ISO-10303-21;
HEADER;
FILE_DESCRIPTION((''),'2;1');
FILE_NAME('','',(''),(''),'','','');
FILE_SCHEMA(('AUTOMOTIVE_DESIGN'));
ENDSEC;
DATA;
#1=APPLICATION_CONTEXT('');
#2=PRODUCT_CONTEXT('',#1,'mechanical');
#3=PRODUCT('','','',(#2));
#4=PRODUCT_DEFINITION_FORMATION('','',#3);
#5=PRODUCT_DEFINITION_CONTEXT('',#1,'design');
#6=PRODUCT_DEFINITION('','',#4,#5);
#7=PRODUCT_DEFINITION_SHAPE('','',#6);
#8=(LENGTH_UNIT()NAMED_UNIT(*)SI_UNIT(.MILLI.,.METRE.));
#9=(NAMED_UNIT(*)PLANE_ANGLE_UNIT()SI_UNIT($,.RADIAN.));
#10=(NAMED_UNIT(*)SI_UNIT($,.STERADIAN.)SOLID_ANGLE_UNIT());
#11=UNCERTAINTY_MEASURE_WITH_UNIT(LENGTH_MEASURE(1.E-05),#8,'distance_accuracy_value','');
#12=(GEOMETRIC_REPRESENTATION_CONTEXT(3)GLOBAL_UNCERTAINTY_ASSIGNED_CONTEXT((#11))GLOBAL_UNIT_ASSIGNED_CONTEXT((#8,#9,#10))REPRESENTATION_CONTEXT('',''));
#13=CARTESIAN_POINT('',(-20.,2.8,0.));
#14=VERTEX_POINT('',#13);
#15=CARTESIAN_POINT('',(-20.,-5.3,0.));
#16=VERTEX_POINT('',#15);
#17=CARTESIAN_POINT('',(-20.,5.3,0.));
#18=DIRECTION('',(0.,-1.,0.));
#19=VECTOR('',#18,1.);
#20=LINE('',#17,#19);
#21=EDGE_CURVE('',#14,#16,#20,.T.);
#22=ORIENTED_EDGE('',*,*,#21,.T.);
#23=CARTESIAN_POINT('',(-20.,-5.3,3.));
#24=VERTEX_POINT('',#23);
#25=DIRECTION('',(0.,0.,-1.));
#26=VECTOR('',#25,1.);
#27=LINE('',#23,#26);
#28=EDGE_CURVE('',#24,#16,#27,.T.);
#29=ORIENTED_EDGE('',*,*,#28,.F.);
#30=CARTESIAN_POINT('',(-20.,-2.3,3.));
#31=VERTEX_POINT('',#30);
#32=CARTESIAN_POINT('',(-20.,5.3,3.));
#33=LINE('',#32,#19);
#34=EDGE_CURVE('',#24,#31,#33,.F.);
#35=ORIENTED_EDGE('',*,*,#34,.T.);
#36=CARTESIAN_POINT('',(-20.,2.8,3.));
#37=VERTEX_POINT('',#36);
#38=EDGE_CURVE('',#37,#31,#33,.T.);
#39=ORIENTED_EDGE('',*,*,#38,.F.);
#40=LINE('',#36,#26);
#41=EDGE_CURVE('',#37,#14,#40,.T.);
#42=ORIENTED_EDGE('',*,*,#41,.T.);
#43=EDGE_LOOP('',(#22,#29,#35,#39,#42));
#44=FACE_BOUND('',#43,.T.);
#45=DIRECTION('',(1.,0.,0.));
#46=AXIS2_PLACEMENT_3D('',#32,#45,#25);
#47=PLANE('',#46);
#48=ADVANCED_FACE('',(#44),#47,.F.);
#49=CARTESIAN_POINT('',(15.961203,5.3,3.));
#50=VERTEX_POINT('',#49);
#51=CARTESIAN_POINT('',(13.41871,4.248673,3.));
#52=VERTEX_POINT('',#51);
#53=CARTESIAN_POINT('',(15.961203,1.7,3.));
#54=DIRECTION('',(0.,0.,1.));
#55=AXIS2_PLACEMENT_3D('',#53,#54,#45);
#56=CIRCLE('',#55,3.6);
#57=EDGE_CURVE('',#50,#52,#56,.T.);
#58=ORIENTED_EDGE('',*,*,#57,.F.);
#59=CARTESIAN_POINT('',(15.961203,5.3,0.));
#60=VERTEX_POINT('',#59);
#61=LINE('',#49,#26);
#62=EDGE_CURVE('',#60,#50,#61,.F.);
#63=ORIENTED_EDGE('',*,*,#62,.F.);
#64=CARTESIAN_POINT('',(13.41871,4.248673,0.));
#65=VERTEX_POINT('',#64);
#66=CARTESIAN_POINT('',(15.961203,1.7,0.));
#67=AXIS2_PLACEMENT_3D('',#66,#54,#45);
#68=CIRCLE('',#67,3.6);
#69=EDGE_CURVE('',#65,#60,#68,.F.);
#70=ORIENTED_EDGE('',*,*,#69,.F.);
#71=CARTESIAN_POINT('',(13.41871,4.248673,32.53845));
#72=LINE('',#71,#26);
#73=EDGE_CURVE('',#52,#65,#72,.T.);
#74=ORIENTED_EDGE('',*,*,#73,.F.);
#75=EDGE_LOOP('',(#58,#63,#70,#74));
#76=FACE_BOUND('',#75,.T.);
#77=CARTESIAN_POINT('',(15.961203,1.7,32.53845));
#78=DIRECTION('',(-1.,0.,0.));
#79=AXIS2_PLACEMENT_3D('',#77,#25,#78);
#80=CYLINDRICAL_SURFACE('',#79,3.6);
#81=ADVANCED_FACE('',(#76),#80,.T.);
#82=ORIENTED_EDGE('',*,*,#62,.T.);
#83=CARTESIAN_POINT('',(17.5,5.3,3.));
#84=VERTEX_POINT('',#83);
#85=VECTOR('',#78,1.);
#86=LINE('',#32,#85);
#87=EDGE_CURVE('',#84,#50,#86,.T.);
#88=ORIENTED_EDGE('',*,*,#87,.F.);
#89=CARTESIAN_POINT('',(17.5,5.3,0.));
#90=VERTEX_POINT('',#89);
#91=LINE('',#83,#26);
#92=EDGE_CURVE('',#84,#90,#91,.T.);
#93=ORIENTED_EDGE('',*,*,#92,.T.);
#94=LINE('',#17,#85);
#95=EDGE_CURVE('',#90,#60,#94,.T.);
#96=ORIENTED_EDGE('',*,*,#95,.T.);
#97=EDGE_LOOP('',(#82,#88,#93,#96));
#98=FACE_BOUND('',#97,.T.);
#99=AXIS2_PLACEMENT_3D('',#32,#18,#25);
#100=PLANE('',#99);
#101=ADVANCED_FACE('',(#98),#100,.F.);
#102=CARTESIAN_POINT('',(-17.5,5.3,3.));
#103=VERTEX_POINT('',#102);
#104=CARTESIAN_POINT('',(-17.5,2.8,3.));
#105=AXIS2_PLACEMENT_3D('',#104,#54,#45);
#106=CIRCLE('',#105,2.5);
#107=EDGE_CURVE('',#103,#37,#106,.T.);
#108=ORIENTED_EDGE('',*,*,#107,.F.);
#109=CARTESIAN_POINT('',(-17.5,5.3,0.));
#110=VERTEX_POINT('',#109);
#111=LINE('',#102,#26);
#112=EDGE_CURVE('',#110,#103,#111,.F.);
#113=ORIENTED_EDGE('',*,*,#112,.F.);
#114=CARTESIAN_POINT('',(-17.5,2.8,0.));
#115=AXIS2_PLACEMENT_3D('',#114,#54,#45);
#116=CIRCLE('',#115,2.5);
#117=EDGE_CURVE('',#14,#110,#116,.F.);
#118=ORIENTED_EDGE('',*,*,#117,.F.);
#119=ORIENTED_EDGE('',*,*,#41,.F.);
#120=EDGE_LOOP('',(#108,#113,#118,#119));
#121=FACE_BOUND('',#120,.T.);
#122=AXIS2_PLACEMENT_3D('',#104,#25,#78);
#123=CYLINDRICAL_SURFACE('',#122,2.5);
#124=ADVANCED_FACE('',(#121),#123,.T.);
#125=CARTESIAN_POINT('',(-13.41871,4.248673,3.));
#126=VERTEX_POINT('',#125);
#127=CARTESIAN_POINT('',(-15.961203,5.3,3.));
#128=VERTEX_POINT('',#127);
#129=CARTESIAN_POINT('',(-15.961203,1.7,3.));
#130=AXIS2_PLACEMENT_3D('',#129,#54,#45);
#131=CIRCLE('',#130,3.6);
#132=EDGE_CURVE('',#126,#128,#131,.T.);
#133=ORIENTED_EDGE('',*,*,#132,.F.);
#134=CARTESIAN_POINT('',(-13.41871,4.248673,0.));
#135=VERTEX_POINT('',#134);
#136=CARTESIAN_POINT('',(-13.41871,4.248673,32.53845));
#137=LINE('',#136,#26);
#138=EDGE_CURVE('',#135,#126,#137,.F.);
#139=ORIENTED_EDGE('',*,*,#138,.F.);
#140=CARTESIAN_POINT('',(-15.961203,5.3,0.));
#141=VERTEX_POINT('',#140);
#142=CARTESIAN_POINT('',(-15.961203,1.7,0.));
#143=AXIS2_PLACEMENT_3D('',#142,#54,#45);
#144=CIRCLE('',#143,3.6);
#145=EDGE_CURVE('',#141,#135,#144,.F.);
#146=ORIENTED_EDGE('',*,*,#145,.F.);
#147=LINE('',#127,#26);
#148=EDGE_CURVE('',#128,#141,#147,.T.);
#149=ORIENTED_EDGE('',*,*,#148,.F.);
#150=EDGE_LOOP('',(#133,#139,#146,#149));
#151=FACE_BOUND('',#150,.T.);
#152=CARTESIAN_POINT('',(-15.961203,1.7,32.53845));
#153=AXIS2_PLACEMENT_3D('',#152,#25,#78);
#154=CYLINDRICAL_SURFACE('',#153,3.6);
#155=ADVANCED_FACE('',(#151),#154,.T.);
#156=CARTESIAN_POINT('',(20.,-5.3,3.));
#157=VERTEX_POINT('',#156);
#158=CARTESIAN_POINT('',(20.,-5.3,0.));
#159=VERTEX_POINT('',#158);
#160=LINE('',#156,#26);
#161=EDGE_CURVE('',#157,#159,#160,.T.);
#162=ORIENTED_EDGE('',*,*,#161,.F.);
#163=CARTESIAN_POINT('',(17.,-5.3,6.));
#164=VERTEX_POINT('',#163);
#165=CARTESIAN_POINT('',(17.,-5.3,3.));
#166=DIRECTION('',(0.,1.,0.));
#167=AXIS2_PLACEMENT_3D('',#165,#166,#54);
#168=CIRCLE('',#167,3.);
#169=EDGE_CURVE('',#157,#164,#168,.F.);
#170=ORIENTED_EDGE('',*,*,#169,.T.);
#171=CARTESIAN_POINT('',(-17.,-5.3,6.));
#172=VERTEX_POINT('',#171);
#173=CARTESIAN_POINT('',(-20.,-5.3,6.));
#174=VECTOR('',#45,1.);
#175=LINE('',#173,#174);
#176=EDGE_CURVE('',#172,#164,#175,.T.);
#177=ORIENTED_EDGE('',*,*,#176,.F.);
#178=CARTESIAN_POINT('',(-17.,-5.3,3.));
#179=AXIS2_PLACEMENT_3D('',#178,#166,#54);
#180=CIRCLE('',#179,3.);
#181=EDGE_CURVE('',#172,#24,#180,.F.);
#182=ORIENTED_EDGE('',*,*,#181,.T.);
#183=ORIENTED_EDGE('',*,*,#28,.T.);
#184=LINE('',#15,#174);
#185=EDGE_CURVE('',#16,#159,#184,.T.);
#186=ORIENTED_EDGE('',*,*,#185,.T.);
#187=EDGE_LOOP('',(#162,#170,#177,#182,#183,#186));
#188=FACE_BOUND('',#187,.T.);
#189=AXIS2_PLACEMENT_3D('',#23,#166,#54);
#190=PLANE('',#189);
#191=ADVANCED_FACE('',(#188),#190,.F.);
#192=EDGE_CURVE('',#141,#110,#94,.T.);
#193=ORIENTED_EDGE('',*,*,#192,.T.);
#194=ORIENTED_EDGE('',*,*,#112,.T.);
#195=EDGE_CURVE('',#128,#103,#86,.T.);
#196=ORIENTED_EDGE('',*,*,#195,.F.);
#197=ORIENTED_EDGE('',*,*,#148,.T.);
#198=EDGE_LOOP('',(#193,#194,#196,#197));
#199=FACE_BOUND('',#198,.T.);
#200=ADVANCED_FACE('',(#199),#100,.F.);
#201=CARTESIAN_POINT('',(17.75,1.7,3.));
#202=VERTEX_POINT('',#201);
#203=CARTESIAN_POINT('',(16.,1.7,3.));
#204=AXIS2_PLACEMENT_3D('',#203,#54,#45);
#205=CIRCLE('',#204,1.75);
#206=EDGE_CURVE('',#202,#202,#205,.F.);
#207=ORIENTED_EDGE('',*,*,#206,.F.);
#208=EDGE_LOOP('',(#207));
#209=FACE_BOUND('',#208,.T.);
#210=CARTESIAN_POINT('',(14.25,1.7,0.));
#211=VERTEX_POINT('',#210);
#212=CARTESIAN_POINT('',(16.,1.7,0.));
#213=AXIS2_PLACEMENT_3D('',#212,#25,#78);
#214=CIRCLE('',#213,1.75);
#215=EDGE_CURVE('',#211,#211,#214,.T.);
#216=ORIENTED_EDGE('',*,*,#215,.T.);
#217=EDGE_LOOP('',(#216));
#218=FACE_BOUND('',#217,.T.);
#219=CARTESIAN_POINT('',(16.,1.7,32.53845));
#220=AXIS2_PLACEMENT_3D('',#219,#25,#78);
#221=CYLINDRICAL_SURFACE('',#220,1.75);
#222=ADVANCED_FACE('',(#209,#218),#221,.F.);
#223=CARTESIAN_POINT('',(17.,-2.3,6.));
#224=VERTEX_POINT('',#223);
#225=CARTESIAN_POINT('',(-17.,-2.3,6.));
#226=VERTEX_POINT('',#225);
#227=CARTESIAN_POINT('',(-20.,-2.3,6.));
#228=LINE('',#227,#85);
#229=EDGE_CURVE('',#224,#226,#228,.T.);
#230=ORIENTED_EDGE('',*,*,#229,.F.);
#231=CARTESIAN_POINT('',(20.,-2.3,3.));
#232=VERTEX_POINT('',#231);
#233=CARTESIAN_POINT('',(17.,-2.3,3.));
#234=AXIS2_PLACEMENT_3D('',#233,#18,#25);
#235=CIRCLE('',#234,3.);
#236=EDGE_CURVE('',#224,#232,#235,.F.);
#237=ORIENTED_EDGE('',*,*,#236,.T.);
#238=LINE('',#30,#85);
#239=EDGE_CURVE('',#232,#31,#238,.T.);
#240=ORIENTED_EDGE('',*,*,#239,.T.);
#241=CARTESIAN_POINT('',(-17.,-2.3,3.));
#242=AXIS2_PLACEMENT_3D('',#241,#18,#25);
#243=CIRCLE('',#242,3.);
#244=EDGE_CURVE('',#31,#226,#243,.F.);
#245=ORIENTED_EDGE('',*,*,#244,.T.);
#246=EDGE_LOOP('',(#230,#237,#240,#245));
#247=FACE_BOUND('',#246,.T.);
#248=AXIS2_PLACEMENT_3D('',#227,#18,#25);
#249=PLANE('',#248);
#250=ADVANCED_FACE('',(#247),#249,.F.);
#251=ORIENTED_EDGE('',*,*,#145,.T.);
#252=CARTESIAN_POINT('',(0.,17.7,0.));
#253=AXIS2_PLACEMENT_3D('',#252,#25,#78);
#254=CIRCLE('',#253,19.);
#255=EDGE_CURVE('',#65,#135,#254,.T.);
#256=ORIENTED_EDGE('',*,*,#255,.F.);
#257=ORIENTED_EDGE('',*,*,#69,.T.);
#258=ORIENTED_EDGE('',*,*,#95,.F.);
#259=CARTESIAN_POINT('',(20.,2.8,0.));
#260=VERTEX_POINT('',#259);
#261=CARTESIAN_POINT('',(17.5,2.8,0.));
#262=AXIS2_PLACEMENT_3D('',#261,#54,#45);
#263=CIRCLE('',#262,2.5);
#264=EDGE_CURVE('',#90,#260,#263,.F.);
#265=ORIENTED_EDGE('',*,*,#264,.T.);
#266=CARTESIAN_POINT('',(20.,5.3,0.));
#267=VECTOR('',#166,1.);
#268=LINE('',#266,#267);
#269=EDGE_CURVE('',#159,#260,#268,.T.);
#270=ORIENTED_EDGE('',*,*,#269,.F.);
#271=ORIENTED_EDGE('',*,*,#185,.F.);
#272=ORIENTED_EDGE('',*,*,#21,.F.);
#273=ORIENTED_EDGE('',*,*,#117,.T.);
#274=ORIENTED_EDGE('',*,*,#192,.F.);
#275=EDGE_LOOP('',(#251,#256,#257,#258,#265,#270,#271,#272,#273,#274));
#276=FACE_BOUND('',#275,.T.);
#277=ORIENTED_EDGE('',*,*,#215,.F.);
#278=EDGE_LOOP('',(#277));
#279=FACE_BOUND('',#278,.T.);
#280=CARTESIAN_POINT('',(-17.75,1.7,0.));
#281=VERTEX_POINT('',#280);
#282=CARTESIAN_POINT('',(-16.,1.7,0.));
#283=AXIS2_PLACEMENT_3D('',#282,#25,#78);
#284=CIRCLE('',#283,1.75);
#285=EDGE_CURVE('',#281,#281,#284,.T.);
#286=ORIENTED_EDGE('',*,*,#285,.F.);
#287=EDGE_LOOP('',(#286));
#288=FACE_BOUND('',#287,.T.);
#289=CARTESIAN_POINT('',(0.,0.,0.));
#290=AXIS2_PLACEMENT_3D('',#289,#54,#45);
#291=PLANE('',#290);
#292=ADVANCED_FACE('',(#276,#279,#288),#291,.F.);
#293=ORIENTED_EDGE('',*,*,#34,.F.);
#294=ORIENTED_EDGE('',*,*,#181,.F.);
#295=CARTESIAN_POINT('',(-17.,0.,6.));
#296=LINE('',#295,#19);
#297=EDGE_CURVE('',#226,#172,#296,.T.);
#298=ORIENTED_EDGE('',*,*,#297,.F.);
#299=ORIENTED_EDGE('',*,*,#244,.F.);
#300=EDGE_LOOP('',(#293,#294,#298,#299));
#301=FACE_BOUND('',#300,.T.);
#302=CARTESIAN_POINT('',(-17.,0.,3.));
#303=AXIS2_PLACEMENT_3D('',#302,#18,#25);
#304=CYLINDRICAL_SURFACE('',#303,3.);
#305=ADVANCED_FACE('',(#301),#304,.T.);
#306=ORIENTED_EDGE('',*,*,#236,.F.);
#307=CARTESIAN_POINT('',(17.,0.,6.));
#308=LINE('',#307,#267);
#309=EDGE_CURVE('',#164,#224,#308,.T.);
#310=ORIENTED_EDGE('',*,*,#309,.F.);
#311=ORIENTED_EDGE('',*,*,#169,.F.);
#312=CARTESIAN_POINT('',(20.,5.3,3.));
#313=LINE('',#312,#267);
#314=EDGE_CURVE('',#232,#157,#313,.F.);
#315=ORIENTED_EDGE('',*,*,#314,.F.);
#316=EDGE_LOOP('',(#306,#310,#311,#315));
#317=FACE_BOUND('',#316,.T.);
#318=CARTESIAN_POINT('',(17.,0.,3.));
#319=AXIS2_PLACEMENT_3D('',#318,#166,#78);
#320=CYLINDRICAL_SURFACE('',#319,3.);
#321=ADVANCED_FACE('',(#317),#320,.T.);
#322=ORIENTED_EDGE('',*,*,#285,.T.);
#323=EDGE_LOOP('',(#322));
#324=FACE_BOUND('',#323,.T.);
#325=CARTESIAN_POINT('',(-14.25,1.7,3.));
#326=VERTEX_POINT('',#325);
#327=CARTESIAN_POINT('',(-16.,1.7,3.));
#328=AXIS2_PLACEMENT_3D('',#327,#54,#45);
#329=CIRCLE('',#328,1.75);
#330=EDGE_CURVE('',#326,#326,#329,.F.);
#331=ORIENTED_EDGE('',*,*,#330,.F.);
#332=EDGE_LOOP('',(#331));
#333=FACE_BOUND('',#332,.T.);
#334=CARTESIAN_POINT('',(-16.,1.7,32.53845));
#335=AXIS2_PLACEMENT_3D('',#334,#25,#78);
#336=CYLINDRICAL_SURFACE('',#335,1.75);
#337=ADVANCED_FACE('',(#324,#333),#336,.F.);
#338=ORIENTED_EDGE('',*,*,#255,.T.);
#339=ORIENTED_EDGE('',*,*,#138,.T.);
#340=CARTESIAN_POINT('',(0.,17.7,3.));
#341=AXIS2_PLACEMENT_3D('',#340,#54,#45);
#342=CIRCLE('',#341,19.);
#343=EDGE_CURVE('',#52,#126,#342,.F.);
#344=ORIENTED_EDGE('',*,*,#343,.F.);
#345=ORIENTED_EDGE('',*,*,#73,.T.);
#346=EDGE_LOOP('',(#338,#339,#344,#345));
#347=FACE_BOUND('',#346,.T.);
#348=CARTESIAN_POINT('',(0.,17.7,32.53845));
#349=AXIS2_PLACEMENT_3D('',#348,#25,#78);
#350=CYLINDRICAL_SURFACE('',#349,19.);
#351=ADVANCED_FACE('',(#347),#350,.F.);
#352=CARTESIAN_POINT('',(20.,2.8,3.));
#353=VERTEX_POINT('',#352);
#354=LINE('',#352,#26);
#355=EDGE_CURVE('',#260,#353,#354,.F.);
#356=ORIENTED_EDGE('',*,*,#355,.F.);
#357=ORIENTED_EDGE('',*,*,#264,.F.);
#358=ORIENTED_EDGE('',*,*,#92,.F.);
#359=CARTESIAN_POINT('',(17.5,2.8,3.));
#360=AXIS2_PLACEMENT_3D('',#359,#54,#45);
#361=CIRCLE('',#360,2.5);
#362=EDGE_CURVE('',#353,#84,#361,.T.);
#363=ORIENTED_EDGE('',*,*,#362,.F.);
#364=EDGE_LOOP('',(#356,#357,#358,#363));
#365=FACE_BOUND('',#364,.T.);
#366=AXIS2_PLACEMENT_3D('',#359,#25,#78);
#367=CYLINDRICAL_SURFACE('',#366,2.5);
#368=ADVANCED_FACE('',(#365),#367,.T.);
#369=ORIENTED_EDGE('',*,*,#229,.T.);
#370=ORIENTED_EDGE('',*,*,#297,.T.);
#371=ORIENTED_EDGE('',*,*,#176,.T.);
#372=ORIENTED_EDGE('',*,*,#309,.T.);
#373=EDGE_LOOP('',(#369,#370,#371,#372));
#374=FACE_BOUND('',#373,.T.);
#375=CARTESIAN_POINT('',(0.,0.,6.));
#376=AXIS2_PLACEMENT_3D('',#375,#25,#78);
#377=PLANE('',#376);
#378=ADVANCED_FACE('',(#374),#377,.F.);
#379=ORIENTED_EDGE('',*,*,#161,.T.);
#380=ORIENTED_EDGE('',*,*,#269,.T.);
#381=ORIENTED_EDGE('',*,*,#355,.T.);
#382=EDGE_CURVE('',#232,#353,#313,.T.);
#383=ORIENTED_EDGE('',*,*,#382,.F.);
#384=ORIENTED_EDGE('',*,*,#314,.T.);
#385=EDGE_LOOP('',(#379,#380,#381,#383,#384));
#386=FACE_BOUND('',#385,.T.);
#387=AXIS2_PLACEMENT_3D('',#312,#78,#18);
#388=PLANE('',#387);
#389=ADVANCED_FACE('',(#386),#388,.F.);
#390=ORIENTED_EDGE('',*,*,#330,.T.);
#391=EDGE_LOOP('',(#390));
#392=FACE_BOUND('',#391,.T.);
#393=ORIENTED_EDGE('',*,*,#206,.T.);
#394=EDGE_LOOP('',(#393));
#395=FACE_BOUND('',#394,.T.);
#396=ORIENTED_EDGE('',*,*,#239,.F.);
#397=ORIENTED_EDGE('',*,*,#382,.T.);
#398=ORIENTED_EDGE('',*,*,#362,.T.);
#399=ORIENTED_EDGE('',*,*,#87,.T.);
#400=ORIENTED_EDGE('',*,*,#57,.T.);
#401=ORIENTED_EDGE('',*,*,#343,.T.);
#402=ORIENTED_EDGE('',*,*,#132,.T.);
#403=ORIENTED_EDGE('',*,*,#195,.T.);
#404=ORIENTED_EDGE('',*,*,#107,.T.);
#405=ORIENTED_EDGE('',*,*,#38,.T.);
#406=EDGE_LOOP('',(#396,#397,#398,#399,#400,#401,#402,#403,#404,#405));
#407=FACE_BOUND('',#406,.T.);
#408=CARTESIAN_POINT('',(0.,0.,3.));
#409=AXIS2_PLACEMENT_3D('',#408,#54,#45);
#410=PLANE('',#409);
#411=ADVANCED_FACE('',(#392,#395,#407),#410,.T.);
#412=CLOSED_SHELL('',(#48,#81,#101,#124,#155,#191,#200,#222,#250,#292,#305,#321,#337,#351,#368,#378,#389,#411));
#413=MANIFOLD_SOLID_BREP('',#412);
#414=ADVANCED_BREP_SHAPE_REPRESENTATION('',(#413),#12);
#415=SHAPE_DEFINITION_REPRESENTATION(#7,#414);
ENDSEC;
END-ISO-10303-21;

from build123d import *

# Parameters (mm, degrees)
ESBO_O1_W                = 40
ESBO_O1_H                = 10.6
RESSALTO_EXTRUS_O1_DEPTH = 3
ESBO_O2_W                = 40
ESBO_O2_H                = 3
RESSALTO_EXTRUS_O2_DEPTH = 3
FILETE1_R                = 3
ESBO_O3_R                = 1.75
CORTE_EXTRUS_O1_DEPTH    = 3
FILETE2_R                = 2.5
FILETE3_R                = 3.6


with BuildPart() as part:
    # Esboço1 → Ressalto-extrusão1 (new body)
    with BuildSketch(Plane.XY):
        Rectangle(ESBO_O1_W, ESBO_O1_H)
    extrude(amount=RESSALTO_EXTRUS_O1_DEPTH)

    # Esboço2 → Ressalto-extrusão2 (add)
    with BuildSketch(Plane.XY.offset(3)):
        with Locations((0, -3.8)):
            Rectangle(ESBO_O2_W, ESBO_O2_H)
    extrude(amount=RESSALTO_EXTRUS_O2_DEPTH)

    # Filete1
    filete1_edges = [part.edges().sort_by_distance(p)[0] for p in [
        (-20, -3.8, 6),
        (20, -3.8, 6),
    ]]
    fillet(filete1_edges, radius=FILETE1_R)

    # Esboço3 → Corte-extrusão1 (cut)
    with BuildSketch(Plane(origin=(0, 0, 0), x_dir=(-1, 0, 0), z_dir=(0, 0, -1))):
        with BuildLine():
            ThreePointArc((14.39583273, 5.3), (17.811805381, 11.086408762), (19, 17.7))
            ThreePointArc((19, 17.7), (-6.613591238, 35.511805381), (-14.39583273, 5.3))
            Line((-14.39583273, 5.3), (14.39583273, 5.3))
        make_face()
        with BuildLine():
            Line((14.39583273, 5.3), (-14.39583273, 5.3))
            ThreePointArc((-14.39583273, 5.3), (0, -1.3), (14.39583273, 5.3))
        make_face()
        with Locations((16, 1.7)):
            Circle(ESBO_O3_R)
        with Locations((-16, 1.7)):
            Circle(ESBO_O3_R)
    extrude(amount=-CORTE_EXTRUS_O1_DEPTH, mode=Mode.SUBTRACT)

    # Filete2
    filete2_edges = [part.edges().sort_by_distance(p)[0] for p in [
        (-20, 5.3, 1.5),
        (20, 5.3, 1.5),
    ]]
    fillet(filete2_edges, radius=FILETE2_R)

    # Filete3
    filete3_edges = [part.edges().sort_by_distance(p)[0] for p in [
        (-14.39583273, 5.3, 1.5),
        (14.39583273, 5.3, 1.5),
    ]]
    fillet(filete3_edges, radius=FILETE3_R)


solid = part.part
